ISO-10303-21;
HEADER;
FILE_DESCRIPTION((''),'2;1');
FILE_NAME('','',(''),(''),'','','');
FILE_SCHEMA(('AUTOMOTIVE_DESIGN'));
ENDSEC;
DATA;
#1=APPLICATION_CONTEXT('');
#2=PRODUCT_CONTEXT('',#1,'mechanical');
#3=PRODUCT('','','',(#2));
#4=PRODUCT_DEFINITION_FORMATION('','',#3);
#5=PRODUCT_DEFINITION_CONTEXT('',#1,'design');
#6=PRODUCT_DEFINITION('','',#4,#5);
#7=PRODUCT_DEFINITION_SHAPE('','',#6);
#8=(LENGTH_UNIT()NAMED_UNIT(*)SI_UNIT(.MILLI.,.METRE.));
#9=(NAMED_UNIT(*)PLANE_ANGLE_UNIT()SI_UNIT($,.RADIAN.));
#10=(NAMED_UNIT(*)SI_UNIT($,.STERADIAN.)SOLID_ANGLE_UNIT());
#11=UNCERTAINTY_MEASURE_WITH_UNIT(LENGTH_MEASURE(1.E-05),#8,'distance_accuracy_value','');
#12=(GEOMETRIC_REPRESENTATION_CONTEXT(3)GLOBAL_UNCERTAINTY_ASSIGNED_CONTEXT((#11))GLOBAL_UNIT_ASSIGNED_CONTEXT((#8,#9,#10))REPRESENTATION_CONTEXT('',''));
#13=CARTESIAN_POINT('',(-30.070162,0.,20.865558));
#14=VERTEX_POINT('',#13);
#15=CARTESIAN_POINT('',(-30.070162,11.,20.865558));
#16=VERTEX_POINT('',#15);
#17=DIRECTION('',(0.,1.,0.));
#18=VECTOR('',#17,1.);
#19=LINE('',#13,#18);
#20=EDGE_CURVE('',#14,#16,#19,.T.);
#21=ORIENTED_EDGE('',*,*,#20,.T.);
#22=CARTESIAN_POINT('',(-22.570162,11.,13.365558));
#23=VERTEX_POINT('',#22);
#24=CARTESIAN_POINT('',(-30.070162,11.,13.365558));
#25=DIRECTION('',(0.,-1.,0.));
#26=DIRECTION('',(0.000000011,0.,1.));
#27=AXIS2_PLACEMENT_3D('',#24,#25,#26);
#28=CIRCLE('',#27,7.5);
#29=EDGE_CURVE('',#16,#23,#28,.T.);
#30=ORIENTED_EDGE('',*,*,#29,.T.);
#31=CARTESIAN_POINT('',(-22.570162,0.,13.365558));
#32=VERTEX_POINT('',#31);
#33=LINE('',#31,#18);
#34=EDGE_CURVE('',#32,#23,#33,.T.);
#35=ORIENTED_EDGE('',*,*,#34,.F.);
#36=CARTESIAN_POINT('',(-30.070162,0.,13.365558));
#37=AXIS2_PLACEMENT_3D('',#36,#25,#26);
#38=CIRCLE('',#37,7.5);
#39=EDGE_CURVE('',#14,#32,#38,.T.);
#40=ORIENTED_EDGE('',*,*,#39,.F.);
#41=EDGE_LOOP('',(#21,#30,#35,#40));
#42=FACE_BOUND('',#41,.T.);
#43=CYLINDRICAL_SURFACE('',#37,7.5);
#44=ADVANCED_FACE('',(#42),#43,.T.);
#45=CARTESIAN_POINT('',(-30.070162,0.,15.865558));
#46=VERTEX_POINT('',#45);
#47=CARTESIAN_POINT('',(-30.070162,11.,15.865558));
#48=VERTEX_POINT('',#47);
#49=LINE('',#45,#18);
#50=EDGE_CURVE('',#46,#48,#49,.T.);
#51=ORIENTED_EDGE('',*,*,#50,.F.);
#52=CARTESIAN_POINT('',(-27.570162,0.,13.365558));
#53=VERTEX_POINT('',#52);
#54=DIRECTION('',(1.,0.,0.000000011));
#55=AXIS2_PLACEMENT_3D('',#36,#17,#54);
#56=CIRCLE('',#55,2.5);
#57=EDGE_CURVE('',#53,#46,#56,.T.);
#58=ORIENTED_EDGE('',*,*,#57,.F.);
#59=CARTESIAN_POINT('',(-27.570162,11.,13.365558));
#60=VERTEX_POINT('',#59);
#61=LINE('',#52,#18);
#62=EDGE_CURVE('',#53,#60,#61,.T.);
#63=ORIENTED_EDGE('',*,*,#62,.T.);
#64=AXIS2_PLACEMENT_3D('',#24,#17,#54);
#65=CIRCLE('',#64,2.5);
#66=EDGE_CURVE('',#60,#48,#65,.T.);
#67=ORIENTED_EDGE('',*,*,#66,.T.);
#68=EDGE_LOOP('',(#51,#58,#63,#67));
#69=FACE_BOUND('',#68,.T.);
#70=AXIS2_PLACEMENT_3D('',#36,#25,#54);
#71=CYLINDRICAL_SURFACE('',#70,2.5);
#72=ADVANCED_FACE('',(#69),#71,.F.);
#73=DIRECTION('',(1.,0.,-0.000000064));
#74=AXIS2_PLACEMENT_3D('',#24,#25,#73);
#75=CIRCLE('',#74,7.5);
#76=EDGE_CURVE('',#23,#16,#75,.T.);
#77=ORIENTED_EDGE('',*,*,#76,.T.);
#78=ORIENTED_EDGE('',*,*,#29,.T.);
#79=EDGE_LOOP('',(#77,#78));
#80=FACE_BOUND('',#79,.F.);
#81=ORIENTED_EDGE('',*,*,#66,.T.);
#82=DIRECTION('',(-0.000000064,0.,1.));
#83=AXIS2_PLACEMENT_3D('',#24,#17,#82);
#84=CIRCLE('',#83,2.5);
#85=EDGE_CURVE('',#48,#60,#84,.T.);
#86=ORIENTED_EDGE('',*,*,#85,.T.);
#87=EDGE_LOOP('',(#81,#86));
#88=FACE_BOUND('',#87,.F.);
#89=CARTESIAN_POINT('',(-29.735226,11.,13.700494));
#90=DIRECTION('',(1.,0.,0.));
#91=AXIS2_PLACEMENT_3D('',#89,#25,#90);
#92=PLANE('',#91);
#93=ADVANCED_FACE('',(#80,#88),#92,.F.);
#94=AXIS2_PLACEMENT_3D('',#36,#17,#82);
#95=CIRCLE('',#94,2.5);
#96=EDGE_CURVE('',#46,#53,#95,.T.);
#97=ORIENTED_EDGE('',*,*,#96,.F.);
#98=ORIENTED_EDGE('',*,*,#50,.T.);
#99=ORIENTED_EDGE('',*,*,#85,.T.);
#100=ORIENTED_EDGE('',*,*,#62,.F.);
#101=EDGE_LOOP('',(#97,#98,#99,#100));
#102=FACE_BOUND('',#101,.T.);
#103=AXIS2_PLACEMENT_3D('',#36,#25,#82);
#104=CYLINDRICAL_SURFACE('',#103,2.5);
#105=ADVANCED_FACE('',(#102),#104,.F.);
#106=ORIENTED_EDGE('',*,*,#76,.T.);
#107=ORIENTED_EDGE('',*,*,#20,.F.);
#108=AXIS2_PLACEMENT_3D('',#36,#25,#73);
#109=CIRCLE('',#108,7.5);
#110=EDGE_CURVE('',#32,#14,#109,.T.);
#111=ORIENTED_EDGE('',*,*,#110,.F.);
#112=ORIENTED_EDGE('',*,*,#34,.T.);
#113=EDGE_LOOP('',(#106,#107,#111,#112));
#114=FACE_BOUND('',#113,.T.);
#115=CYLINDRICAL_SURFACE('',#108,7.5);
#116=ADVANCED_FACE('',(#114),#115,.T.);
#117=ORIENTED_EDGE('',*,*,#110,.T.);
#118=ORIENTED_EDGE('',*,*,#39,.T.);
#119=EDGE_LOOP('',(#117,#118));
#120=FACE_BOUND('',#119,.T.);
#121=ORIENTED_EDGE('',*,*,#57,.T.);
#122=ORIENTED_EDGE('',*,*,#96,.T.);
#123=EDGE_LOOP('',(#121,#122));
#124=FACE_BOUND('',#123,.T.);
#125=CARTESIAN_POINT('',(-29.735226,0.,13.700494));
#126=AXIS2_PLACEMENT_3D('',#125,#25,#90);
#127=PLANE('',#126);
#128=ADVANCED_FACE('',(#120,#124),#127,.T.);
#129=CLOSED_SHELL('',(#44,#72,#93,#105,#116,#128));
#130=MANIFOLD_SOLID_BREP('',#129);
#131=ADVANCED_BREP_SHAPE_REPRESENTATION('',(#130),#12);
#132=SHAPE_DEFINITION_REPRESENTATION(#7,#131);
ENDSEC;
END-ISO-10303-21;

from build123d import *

# Parameters (mm, degrees)
F1_DEPTH = 8
F2_DEPTH = 3
F3_DEPTH = 11


with BuildPart() as f1:
    # F0 (on Front) → F1 (new body)
    with BuildSketch(Plane.XZ):
        with BuildLine():
            ThreePointArc((-30.070162, 46.37237), (-35.632137, 46.568408), (-41.166509, 47.155549))
            ThreePointArc((-41.166509, 47.155549), (-30.070162, -22.199768), (-18.973814, 47.155549))
            ThreePointArc((-18.973814, 47.155549), (-24.508186, 46.568408), (-30.070162, 46.37237))
        make_face()
        with BuildLine():
            ThreePointArc((-22.570162, 13.365558), (-35.373463, 8.062257), (-30.070162, 20.865558))
            ThreePointArc((-30.070162, 20.865558), (-24.766861, 18.668859), (-22.570162, 13.365558))
        make_face(mode=Mode.SUBTRACT)
    extrude(amount=F1_DEPTH)

    # F0 (on Front) → F2 (join)
    with BuildSketch(Plane.XZ):
        with BuildLine():
            ThreePointArc((-30.070162, 56.279502), (-36.966771, 53.357463), (-41.166509, 47.155549))
            ThreePointArc((-41.166509, 47.155549), (-35.632137, 46.568408), (-30.070162, 46.37237))
            Line((-30.070162, 46.37237), (-30.070162, 50.721558))
            ThreePointArc((-30.070162, 50.721558), (-32.070162, 52.721558), (-30.070162, 54.721558))
            Line((-30.070162, 54.721558), (-30.070162, 56.279502))
        make_face()
        with BuildLine():
            ThreePointArc((-30.070162, 46.37237), (-24.508186, 46.568408), (-18.973814, 47.155549))
            ThreePointArc((-18.973814, 47.155549), (-23.173552, 53.357463), (-30.070162, 56.279502))
            Line((-30.070162, 56.279502), (-30.070162, 54.721558))
            ThreePointArc((-30.070162, 54.721558), (-28.655948, 54.135772), (-28.070162, 52.721558))
            ThreePointArc((-28.070162, 52.721558), (-28.655948, 51.307344), (-30.070162, 50.721558))
            Line((-30.070162, 50.721558), (-30.070162, 46.37237))
        make_face()
    extrude(amount=F2_DEPTH)


with BuildPart() as f3:
    # F0 (on Front) → F3 (new body)
    with BuildSketch(Plane.XZ):
        with BuildLine():
            ThreePointArc((-22.570162, 13.365558), (-24.766861, 18.668859), (-30.070162, 20.865558))
            ThreePointArc((-30.070162, 20.865558), (-35.373463, 8.062257), (-22.570162, 13.365558))
        make_face()
        with BuildLine():
            ThreePointArc((-27.570162, 13.365558), (-31.837929, 11.597791), (-30.070162, 15.865558))
            ThreePointArc((-30.070162, 15.865558), (-28.302395, 15.133325), (-27.570162, 13.365558))
        make_face(mode=Mode.SUBTRACT)
    extrude(amount=-F3_DEPTH)


solid = f3.part
